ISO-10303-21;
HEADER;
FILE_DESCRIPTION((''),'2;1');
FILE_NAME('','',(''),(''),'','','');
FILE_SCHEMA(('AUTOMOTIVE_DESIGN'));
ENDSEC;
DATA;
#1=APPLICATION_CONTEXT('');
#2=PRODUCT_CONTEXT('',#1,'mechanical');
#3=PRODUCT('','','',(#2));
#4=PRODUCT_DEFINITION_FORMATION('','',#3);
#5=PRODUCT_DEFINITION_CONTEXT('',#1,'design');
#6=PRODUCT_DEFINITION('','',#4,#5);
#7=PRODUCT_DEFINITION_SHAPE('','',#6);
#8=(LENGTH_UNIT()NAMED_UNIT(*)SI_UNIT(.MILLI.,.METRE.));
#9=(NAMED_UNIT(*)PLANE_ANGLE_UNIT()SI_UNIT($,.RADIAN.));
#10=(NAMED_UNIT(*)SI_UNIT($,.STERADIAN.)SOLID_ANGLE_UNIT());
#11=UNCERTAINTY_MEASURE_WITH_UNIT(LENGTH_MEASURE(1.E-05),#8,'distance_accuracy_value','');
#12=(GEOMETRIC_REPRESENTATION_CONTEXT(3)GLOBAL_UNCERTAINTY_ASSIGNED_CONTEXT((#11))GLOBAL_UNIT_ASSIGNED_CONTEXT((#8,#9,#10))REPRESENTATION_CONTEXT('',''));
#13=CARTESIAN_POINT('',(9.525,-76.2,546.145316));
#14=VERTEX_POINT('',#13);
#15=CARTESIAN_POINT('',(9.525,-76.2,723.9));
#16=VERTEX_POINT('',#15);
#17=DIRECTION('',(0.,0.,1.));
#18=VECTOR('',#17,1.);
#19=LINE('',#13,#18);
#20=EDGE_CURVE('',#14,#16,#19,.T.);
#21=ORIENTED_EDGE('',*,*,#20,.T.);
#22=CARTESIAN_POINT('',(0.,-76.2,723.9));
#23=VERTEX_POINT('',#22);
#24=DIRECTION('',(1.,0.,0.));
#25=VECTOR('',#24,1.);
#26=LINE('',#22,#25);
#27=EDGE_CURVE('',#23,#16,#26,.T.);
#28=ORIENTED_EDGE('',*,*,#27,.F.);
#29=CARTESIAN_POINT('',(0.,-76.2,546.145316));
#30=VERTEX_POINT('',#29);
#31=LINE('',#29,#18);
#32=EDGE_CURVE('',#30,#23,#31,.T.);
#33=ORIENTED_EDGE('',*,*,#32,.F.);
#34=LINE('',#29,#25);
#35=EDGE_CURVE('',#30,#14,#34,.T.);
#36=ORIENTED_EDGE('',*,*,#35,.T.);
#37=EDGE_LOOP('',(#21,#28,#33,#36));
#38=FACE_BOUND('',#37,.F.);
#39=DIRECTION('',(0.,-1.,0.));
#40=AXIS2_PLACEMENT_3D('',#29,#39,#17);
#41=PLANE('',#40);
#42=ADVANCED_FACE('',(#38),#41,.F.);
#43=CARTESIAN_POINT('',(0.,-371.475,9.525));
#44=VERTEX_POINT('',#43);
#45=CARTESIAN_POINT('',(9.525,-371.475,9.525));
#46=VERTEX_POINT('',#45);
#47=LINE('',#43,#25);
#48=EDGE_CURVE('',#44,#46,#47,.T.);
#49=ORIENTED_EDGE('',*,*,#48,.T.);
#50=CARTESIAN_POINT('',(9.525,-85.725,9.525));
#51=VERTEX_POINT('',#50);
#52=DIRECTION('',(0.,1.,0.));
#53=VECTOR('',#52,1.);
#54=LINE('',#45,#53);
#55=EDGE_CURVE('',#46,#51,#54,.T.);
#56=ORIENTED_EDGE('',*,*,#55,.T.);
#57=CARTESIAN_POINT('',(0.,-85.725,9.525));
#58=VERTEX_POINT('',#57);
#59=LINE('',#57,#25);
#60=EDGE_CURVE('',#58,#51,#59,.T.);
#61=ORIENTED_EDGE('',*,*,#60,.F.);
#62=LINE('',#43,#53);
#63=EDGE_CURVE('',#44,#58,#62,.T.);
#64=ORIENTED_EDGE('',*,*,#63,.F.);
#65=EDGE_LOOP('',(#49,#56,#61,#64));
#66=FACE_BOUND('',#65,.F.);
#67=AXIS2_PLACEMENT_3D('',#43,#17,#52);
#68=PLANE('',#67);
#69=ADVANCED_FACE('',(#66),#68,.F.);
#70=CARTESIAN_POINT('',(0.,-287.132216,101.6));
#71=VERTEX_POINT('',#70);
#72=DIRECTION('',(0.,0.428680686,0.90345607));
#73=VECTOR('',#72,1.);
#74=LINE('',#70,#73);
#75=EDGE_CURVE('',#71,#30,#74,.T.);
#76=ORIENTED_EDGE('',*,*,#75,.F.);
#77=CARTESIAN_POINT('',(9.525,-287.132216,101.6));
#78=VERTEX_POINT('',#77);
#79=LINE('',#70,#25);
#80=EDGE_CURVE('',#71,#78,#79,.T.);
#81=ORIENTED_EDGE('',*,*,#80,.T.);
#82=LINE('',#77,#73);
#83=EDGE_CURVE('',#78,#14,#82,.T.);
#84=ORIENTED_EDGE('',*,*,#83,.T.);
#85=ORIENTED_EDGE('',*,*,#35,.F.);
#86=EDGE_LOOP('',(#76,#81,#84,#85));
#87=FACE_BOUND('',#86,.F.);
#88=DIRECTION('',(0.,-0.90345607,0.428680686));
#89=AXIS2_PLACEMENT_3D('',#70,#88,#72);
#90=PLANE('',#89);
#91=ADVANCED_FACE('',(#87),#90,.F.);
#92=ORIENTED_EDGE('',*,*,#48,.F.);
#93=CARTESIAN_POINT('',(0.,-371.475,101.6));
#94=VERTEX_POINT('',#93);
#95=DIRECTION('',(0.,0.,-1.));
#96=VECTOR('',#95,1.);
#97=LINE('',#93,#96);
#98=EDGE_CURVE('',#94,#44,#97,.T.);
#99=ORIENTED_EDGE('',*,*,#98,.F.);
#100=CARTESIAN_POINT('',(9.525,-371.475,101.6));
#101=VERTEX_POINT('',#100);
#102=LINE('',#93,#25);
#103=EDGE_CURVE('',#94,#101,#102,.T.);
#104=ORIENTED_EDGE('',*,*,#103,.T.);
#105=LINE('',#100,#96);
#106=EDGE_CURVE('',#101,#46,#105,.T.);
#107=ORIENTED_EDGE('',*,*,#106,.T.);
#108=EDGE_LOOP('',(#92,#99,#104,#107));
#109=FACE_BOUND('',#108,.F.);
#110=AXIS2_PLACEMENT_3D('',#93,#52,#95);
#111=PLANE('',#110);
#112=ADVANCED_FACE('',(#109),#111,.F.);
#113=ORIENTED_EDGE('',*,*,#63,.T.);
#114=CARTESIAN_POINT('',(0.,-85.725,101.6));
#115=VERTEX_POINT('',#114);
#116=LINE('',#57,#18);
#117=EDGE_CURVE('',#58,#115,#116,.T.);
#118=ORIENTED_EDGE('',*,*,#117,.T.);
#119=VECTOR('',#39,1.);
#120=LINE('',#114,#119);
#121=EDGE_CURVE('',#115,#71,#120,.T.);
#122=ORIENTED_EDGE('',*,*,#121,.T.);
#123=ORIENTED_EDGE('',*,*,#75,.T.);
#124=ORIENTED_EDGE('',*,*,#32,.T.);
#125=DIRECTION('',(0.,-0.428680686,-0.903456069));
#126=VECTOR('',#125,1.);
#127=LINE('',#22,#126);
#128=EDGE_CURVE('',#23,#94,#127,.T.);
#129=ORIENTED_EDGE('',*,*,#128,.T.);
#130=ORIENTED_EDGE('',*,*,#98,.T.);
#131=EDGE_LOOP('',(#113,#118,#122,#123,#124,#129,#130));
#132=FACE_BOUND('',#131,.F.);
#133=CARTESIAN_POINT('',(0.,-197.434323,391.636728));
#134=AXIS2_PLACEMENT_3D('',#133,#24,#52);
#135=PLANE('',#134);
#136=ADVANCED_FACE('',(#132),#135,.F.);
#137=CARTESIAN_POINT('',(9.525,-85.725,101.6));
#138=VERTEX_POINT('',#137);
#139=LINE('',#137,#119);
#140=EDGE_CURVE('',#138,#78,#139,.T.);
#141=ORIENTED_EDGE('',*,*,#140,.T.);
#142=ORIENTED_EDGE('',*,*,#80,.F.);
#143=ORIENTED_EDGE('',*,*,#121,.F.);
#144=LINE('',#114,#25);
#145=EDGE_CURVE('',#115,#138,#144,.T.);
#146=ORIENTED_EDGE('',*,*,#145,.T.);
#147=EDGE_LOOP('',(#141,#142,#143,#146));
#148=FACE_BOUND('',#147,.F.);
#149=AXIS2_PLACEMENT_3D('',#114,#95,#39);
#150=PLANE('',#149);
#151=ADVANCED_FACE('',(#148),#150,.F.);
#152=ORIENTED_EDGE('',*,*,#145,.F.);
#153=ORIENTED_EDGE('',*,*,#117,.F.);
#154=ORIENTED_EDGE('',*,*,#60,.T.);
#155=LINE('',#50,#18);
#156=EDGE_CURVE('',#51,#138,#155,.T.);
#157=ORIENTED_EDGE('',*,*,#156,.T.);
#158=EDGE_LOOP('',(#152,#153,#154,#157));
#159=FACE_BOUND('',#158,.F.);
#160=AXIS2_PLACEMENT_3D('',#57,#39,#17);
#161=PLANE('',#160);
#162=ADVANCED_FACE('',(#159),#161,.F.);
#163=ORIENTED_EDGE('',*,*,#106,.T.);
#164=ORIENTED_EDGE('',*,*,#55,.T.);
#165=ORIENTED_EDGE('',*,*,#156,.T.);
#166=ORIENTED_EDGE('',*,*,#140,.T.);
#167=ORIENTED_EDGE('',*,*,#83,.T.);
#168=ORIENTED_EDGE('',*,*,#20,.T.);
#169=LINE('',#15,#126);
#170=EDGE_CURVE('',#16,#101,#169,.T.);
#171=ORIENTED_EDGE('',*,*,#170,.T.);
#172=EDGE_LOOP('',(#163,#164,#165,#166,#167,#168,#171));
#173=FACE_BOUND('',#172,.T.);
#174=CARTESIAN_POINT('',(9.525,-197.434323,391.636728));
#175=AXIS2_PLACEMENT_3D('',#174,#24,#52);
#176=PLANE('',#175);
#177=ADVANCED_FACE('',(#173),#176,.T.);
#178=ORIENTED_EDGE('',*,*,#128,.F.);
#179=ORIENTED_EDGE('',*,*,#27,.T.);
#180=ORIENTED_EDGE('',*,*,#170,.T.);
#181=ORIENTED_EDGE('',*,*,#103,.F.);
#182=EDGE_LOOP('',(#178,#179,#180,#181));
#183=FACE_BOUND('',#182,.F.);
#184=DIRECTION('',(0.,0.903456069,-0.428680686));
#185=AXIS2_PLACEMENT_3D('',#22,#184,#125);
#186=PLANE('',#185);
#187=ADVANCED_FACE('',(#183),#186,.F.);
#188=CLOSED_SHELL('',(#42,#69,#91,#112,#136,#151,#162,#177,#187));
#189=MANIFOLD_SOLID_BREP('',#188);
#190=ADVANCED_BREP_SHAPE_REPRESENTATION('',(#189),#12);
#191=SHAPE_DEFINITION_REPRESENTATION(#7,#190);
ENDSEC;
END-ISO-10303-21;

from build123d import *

# Parameters (mm, degrees)
F1_DEPTH = 9.525


with BuildPart() as f1:
    # F0 (on Right) → F1 (new body)
    with BuildSketch(Plane.YZ):
        Polygon((-76.2, 546.145316), (-76.2, 723.9), (-371.475, 101.6), (-287.132216, 101.6), align=None)
        Polygon((-177.8, 9.525), (-85.725, 9.525), (-85.725, 101.6), (-287.132216, 101.6), (-371.475, 101.6), (-371.475, 9.525), (-279.4, 9.525), align=None)
    extrude(amount=F1_DEPTH)


solid = f1.part
